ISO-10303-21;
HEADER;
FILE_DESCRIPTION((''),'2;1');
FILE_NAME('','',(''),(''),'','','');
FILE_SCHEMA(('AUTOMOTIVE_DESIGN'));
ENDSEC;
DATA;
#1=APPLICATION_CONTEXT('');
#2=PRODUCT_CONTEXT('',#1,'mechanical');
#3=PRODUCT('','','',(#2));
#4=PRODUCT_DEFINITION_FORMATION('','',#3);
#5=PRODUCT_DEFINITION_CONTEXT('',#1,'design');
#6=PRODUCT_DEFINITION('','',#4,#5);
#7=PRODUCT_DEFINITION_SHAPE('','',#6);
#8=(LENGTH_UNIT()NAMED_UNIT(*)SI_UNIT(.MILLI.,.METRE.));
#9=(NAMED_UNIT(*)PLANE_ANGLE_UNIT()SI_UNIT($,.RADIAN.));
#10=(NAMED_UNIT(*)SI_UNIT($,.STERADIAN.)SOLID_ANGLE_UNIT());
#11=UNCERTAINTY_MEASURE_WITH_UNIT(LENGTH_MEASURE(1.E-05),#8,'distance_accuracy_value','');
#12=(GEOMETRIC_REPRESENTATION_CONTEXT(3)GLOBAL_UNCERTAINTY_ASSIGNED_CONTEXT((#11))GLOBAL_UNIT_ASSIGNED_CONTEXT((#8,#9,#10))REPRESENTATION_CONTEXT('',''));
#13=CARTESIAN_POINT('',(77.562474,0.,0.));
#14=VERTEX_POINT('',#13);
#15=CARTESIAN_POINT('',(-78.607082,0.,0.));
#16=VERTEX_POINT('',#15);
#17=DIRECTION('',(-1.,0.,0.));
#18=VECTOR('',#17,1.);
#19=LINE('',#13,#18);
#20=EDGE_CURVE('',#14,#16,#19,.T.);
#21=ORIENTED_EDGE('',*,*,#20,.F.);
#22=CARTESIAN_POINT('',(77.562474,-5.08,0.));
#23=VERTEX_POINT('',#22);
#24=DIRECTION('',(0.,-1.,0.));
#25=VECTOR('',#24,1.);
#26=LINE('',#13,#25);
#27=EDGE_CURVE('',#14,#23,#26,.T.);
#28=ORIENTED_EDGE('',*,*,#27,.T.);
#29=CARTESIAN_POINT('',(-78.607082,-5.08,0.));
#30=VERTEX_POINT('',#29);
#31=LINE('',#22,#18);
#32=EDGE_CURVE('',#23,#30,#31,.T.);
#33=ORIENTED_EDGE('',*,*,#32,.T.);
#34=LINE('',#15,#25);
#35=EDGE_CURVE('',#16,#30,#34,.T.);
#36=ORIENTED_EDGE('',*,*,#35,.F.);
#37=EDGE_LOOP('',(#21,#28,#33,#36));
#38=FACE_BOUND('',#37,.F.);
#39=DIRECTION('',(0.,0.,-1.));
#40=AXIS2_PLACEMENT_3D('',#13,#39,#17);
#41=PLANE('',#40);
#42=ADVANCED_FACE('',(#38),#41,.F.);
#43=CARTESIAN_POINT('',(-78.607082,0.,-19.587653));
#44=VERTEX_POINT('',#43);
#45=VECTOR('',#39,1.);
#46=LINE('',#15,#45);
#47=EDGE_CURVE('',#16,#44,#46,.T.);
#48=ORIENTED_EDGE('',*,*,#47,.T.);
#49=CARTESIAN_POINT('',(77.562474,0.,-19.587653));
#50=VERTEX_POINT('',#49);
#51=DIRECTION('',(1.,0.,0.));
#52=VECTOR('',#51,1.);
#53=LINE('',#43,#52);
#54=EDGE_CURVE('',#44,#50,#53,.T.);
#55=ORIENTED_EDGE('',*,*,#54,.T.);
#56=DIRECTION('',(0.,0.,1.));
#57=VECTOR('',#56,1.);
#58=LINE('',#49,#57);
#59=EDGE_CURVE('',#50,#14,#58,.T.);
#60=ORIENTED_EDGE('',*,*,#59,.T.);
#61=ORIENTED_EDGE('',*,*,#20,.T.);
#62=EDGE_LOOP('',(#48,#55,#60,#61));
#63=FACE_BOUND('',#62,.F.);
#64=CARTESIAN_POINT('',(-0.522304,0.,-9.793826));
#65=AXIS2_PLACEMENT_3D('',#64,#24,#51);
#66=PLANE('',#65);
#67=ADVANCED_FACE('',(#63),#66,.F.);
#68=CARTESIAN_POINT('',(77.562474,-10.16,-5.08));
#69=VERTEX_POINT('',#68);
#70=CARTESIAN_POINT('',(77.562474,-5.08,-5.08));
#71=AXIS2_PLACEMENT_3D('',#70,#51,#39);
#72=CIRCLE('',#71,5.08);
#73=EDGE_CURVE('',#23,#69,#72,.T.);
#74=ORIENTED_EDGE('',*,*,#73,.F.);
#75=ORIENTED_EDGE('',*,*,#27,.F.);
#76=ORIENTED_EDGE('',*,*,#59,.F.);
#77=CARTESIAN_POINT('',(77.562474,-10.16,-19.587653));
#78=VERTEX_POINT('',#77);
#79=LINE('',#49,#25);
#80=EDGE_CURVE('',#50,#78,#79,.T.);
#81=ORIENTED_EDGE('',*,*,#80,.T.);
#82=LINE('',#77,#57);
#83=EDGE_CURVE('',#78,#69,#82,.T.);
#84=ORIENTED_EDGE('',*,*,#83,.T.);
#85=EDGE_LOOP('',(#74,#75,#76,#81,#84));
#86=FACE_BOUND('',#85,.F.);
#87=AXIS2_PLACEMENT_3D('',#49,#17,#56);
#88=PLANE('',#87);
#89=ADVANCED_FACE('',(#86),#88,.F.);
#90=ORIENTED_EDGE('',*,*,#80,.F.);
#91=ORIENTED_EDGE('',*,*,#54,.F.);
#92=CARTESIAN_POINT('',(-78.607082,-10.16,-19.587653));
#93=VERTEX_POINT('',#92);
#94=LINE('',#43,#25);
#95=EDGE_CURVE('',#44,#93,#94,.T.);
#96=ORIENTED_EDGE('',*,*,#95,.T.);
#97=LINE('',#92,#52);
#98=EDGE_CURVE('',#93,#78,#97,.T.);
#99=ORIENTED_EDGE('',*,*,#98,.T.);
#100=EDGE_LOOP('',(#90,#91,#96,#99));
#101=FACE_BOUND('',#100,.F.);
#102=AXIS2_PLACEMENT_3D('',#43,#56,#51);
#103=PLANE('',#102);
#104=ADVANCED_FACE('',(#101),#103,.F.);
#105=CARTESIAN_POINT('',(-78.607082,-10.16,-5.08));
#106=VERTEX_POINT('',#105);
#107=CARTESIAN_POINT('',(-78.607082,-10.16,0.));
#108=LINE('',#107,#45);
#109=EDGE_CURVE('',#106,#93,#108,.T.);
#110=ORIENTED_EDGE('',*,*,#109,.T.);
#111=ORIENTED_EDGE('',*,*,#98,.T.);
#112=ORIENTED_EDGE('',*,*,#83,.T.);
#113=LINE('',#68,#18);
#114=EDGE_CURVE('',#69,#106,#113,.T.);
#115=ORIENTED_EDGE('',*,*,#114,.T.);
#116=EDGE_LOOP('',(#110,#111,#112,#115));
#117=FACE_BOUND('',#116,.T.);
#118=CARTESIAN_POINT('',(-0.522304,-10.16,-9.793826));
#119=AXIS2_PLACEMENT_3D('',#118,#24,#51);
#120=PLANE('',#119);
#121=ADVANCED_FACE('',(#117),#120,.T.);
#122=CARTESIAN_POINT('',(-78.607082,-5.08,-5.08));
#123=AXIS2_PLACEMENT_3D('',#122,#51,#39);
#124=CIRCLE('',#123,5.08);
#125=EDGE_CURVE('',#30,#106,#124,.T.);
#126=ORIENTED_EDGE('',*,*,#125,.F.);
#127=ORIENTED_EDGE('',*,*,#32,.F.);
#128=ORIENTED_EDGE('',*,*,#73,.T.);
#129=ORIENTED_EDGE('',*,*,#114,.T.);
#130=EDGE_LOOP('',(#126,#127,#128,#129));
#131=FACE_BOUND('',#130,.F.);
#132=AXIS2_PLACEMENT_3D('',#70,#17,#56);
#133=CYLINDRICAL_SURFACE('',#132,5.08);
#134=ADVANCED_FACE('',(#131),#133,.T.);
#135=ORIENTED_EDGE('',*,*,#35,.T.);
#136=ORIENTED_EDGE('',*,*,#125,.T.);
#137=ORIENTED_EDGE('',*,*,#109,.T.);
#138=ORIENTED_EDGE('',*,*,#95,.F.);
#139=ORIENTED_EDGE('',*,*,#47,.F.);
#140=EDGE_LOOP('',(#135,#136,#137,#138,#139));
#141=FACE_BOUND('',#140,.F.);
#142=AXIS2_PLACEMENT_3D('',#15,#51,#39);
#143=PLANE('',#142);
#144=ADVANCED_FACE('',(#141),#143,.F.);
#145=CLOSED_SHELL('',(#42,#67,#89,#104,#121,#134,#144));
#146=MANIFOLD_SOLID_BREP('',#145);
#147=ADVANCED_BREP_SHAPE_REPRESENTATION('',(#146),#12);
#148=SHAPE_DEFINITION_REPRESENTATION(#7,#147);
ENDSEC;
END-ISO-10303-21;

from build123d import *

# Parameters (mm, degrees)
F1_DEPTH = 10.16
F2_R     = 5.08


with BuildPart() as f1:
    # F0 (on Front) → F1 (new body)
    with BuildSketch(Plane.XZ):
        Polygon((77.562474, 0), (0, 0), (-78.607082, 0), (-78.607082, -19.587653), (77.562474, -19.587653), align=None)
    extrude(amount=F1_DEPTH)

    # F2
    f2_edges = [f1.edges().sort_by_distance(p)[0] for p in [
        (-0.522304, -10.16, 0),
    ]]
    fillet(f2_edges, radius=F2_R)


solid = f1.part
